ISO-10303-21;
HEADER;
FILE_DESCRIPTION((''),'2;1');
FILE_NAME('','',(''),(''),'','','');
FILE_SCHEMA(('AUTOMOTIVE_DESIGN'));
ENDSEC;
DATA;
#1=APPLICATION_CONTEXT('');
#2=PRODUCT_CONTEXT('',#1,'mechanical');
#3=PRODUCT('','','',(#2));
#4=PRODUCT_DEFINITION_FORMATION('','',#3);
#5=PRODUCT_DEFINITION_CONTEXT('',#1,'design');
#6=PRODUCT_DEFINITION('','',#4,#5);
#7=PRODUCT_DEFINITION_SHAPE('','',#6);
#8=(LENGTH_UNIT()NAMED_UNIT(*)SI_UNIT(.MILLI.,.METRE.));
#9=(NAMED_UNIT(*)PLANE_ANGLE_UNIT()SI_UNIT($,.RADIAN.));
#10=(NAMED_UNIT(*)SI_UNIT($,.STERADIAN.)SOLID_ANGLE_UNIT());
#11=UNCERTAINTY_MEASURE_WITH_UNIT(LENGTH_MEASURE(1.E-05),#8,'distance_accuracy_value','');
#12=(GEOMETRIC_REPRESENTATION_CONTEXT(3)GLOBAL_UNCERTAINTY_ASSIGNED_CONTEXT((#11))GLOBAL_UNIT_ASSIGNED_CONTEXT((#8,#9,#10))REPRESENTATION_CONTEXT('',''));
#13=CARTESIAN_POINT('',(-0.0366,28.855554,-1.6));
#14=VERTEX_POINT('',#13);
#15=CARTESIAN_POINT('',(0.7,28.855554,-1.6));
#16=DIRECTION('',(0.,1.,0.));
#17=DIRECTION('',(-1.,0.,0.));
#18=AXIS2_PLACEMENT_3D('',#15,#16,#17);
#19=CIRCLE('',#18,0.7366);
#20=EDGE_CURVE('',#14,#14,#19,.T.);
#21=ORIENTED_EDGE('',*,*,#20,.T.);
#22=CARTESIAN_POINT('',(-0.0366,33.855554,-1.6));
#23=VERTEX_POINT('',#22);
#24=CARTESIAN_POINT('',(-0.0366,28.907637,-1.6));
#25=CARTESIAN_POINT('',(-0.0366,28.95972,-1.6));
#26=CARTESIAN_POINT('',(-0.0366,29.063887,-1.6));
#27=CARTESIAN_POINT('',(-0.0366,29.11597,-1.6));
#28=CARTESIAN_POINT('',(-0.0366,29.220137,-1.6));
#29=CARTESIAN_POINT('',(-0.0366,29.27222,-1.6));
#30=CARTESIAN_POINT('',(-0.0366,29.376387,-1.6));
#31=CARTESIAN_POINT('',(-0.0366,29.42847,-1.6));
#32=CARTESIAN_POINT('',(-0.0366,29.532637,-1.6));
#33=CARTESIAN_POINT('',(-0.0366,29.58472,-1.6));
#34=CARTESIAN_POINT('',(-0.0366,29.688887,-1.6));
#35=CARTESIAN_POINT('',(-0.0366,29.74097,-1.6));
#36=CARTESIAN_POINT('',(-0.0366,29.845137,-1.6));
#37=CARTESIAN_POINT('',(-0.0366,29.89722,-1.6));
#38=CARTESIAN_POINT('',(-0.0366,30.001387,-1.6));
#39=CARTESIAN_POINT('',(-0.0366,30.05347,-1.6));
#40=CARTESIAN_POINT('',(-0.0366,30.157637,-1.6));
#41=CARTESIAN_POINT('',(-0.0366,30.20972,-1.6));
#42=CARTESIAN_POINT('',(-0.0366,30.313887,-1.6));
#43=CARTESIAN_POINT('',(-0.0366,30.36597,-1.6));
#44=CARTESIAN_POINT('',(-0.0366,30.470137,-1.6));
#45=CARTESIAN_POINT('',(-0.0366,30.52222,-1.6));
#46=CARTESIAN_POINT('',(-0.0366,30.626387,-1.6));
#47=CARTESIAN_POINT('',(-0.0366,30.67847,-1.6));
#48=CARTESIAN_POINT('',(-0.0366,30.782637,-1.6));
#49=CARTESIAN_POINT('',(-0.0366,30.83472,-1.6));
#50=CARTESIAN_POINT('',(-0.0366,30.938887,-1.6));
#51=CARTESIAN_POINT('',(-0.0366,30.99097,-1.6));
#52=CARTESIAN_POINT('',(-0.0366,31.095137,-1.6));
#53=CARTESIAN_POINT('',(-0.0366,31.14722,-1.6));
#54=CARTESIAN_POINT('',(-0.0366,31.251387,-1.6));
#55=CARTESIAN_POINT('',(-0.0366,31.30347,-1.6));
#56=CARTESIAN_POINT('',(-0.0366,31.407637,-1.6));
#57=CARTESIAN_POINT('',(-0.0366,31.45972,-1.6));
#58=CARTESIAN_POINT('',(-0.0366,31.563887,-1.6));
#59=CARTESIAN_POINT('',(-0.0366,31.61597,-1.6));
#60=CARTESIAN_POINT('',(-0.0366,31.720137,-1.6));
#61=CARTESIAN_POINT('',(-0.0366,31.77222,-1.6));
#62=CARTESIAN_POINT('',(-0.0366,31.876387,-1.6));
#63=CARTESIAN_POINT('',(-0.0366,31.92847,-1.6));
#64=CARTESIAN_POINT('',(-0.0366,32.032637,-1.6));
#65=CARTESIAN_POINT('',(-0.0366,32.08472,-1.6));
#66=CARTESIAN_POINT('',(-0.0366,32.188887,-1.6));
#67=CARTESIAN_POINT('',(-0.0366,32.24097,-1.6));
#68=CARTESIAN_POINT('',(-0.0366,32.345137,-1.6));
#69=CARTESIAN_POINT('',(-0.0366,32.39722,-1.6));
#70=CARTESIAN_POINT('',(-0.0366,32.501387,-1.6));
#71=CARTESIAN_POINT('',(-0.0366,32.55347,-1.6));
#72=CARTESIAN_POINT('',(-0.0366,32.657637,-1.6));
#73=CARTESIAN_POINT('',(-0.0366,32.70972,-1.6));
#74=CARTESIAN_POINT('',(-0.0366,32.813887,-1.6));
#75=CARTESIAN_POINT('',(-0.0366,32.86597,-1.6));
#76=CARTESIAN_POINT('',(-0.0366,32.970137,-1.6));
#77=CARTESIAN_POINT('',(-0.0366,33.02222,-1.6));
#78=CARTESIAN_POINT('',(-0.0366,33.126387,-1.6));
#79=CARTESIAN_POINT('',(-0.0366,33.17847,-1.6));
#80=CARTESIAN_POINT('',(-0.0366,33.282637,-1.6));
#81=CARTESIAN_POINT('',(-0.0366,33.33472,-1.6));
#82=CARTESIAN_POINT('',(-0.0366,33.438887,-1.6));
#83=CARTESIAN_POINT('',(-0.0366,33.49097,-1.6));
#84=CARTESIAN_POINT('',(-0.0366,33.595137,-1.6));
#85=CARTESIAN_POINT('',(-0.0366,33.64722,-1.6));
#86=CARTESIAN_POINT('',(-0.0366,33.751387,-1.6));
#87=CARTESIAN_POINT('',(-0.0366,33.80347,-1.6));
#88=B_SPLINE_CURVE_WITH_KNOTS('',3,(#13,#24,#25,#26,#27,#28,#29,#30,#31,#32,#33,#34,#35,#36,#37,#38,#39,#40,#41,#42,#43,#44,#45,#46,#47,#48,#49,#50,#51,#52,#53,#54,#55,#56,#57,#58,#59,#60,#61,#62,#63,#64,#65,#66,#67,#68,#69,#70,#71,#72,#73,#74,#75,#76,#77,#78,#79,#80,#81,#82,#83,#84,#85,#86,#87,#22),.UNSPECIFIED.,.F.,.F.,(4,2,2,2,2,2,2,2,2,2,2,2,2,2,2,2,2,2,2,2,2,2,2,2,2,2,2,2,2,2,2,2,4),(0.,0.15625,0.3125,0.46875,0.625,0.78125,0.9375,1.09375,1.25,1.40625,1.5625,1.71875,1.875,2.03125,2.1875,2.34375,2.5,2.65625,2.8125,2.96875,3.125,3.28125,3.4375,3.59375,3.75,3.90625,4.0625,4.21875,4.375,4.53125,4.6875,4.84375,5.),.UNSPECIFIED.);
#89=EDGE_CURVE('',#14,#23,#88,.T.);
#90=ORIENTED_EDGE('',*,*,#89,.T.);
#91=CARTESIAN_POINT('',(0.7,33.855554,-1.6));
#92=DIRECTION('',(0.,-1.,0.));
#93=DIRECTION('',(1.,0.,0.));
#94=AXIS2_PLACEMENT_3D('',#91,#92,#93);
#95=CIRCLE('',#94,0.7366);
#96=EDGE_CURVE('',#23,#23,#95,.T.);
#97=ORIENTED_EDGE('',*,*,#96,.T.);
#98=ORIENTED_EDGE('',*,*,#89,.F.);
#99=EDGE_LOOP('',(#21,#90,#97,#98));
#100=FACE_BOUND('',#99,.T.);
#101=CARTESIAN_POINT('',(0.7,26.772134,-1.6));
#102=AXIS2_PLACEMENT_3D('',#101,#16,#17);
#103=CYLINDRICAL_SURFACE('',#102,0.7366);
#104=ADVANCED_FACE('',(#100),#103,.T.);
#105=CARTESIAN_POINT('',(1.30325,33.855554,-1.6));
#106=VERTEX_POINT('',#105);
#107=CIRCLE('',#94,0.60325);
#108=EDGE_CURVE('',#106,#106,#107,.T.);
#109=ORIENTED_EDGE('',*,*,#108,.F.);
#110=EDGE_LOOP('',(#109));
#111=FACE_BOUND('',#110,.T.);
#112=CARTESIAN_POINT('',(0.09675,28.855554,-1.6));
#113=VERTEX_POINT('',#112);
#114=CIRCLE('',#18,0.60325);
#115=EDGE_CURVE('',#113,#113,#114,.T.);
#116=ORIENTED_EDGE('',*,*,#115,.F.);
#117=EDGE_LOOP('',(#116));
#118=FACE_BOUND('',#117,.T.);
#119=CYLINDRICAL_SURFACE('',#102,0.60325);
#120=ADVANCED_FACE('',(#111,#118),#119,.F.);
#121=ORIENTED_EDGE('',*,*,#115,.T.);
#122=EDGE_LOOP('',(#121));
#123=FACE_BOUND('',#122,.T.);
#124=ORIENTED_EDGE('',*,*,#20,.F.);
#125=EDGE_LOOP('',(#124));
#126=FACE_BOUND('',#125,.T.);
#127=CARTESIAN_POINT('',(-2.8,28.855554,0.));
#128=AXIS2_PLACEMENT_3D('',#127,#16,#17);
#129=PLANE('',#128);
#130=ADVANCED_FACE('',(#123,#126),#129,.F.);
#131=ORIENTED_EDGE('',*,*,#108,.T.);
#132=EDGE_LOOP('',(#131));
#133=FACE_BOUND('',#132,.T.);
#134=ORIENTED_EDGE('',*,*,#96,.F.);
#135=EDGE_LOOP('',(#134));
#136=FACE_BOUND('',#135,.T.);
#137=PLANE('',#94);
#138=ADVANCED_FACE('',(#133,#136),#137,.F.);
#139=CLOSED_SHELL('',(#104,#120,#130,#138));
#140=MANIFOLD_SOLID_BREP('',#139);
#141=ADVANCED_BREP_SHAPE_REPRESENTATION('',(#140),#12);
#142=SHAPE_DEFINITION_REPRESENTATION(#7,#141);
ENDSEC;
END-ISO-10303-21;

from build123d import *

# Parameters (mm, degrees)
SKETCH1_R           = 0.7366
SKETCH1_R_2         = 0.60325
BOSS_EXTRUDE1_DEPTH = 5


with BuildPart() as part:
    # Sketch1 → Boss-Extrude1 (new body)
    with BuildSketch(Plane.XZ.offset(-33.855553723)):
        with Locations(Location((0.7, -1.6, 0), (0, 0, 180))):
            Circle(SKETCH1_R)
        with Locations(Location((0.7, -1.6, 0), (0, 0, 180))):
            Circle(SKETCH1_R_2, mode=Mode.SUBTRACT)
    extrude(amount=BOSS_EXTRUDE1_DEPTH)


solid = part.part
